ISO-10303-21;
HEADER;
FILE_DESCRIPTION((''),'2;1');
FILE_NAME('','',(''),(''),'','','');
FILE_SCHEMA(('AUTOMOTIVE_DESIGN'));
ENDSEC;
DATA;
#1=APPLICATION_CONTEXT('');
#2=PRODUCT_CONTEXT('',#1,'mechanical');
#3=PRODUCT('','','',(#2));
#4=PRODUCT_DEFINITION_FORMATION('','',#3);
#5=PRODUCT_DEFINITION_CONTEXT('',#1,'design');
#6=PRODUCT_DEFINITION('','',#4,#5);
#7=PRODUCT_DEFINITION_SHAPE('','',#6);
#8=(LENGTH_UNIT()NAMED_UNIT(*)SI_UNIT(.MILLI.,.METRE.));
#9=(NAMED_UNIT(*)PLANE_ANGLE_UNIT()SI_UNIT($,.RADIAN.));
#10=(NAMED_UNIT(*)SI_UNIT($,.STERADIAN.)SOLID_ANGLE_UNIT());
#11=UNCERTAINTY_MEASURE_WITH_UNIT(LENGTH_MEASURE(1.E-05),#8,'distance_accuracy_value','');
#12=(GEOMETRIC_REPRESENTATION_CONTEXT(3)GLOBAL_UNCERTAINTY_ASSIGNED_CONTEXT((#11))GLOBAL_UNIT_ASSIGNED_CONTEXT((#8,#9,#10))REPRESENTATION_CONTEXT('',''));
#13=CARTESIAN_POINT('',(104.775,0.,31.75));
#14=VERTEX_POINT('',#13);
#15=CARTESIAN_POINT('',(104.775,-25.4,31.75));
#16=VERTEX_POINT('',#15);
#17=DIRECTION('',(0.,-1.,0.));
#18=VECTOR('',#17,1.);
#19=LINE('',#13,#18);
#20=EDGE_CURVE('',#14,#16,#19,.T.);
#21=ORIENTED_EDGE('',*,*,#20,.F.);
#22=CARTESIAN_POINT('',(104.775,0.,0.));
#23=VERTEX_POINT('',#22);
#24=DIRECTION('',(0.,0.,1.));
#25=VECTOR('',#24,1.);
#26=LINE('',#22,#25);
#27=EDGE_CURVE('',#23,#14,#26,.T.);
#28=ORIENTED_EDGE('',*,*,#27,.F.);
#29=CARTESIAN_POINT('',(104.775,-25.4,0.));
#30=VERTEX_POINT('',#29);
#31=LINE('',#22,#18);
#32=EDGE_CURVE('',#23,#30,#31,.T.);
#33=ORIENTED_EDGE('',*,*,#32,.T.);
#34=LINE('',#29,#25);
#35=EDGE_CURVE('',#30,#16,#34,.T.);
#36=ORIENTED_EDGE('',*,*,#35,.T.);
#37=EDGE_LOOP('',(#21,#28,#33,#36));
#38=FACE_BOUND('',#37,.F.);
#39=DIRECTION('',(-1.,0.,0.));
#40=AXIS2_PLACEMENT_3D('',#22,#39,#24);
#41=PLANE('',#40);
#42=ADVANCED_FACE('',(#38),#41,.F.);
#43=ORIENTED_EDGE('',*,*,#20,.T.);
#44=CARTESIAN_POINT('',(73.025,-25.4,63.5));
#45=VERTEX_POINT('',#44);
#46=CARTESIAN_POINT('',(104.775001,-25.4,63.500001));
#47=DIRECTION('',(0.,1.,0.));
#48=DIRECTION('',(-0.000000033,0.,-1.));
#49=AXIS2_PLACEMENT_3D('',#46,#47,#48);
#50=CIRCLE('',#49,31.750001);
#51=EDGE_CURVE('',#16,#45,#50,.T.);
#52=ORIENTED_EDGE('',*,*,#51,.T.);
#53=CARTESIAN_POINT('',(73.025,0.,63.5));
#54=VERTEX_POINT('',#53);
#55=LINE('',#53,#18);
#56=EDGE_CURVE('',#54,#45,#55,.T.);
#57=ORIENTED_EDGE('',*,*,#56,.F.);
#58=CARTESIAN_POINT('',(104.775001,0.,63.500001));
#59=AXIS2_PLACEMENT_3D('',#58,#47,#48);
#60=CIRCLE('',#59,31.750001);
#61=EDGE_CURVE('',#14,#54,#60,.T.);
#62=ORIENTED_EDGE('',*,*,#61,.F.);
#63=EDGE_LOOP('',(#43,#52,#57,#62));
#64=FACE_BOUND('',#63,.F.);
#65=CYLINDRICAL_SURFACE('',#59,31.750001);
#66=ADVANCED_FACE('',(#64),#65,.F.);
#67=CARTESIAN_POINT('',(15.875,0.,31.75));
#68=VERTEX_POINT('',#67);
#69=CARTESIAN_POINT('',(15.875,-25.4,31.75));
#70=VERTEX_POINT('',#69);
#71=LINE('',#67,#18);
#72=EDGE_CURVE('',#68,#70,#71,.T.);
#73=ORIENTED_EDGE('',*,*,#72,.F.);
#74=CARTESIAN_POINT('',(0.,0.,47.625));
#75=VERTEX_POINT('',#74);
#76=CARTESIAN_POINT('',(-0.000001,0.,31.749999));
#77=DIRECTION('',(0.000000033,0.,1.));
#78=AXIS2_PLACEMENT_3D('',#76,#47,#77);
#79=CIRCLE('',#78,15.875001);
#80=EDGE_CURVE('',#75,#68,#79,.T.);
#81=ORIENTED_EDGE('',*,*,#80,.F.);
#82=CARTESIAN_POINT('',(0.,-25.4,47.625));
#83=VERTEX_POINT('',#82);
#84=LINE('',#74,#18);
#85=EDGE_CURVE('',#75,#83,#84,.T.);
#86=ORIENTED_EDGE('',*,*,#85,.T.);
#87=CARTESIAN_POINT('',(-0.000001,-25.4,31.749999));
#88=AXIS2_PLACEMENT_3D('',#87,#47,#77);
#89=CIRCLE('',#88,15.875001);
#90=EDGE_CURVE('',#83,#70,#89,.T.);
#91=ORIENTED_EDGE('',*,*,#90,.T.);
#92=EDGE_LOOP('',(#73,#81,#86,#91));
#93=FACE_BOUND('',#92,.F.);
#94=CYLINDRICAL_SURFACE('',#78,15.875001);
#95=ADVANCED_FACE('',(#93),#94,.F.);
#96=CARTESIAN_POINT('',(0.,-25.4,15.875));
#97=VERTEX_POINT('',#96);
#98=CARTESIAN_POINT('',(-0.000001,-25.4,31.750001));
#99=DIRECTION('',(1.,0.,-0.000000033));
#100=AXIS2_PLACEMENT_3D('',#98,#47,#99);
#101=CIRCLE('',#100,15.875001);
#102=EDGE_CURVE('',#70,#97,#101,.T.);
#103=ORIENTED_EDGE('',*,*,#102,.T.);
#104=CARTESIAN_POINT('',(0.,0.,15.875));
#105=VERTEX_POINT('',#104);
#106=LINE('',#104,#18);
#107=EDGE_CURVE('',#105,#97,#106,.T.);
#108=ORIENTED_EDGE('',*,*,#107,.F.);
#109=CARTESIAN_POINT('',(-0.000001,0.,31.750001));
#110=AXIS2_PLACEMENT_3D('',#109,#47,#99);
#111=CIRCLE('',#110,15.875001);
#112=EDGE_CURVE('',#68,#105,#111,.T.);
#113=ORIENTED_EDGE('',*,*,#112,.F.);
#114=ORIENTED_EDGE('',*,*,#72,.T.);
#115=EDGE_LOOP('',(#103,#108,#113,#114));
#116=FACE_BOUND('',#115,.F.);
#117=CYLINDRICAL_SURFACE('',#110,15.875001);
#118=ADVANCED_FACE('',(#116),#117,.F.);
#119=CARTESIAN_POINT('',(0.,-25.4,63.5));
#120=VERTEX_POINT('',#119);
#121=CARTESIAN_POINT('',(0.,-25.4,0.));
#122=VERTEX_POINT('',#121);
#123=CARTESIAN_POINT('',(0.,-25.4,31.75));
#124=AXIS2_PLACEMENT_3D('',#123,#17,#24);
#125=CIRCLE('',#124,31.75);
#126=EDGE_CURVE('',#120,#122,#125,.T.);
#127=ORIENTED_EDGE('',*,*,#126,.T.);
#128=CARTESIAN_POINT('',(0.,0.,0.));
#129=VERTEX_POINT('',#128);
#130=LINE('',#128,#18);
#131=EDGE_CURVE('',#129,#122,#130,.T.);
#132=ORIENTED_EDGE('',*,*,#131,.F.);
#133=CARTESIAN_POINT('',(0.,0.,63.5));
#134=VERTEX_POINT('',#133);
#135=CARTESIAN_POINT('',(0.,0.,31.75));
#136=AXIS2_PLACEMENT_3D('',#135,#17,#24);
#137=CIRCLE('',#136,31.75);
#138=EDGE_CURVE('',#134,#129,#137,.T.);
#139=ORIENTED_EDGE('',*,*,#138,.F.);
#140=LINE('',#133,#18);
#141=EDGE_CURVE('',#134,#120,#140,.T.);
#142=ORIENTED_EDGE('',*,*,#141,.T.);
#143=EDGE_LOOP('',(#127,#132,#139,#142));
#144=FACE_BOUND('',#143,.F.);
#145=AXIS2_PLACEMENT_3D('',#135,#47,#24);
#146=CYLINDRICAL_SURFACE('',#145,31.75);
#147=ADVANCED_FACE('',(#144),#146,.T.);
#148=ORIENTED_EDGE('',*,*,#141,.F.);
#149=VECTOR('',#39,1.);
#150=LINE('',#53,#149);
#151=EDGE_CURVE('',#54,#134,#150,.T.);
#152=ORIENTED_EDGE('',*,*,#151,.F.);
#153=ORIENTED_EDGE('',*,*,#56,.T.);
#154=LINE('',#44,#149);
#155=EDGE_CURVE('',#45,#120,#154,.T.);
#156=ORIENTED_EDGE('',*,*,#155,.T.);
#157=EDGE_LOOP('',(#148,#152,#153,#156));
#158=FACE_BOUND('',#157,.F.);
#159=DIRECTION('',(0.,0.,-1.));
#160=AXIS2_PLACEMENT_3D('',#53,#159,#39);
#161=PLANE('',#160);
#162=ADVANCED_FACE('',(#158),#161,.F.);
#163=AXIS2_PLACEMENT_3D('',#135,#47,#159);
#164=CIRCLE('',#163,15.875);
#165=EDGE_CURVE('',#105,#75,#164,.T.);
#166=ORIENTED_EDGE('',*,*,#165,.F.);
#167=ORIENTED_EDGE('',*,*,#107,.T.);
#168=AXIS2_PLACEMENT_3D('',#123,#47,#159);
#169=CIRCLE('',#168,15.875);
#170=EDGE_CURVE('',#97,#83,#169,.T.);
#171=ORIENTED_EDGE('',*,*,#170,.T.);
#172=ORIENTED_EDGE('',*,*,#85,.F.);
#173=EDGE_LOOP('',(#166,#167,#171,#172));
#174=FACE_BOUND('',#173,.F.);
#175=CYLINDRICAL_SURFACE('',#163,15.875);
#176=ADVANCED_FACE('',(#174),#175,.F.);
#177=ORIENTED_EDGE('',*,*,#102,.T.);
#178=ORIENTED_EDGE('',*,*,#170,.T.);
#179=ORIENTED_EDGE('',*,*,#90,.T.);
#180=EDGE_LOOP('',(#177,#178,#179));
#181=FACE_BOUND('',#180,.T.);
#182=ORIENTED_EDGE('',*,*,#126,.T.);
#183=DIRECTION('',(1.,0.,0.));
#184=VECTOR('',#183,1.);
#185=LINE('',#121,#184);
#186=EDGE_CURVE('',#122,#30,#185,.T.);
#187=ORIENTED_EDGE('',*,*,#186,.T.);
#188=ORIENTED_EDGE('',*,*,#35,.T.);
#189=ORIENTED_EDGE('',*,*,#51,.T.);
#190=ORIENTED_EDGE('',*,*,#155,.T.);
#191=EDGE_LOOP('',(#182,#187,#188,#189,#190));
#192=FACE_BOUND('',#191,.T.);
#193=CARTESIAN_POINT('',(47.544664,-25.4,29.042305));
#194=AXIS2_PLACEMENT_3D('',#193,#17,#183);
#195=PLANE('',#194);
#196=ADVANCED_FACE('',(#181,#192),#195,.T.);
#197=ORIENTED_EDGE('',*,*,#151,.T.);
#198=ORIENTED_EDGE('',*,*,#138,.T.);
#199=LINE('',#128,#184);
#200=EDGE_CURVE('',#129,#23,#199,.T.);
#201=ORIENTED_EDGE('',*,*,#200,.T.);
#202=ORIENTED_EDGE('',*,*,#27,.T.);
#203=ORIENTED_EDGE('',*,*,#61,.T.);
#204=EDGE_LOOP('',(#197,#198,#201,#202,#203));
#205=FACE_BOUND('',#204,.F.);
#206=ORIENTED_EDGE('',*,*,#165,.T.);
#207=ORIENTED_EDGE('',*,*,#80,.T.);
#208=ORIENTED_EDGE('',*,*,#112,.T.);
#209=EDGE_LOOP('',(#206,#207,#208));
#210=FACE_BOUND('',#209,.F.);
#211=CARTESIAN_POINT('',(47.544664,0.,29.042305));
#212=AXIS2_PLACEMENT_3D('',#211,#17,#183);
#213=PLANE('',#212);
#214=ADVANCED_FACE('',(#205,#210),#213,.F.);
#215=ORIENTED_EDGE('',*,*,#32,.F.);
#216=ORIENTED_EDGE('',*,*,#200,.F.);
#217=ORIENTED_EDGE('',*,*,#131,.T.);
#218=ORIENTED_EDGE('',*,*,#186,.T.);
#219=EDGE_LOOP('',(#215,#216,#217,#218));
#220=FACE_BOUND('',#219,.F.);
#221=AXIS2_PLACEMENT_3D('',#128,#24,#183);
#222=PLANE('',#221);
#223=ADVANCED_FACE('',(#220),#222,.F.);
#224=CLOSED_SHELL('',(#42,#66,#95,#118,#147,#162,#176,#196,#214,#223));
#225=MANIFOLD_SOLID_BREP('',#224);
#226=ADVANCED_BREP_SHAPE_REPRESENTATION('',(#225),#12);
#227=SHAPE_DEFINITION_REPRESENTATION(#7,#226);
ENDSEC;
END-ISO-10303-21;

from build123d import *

# Parameters (mm, degrees)
F1_DEPTH = 25.4


with BuildPart() as f1:
    # F0 (on Front) → F1 (new body)
    with BuildSketch(Plane.XZ):
        with BuildLine():
            Line((0, 15.875), (0, 0))
            Line((0, 0), (104.775, 0))
            Line((104.775, 0), (104.775, 31.75))
            ThreePointArc((104.775, 31.75), (82.32436, 41.04936), (73.025, 63.5))
            Line((73.025, 63.5), (0, 63.5))
            Line((0, 63.5), (0, 47.625))
            ThreePointArc((0, 47.625), (11.22532, 42.97532), (15.875, 31.75))
            ThreePointArc((15.875, 31.75), (11.22532, 20.52468), (0, 15.875))
        make_face()
        with BuildLine():
            ThreePointArc((0, 63.5), (-31.75, 31.75), (0, 0))
            Line((0, 0), (0, 15.875))
            ThreePointArc((0, 15.875), (-15.875, 31.75), (0, 47.625))
            Line((0, 47.625), (0, 63.5))
        make_face()
    extrude(amount=F1_DEPTH)


solid = f1.part
